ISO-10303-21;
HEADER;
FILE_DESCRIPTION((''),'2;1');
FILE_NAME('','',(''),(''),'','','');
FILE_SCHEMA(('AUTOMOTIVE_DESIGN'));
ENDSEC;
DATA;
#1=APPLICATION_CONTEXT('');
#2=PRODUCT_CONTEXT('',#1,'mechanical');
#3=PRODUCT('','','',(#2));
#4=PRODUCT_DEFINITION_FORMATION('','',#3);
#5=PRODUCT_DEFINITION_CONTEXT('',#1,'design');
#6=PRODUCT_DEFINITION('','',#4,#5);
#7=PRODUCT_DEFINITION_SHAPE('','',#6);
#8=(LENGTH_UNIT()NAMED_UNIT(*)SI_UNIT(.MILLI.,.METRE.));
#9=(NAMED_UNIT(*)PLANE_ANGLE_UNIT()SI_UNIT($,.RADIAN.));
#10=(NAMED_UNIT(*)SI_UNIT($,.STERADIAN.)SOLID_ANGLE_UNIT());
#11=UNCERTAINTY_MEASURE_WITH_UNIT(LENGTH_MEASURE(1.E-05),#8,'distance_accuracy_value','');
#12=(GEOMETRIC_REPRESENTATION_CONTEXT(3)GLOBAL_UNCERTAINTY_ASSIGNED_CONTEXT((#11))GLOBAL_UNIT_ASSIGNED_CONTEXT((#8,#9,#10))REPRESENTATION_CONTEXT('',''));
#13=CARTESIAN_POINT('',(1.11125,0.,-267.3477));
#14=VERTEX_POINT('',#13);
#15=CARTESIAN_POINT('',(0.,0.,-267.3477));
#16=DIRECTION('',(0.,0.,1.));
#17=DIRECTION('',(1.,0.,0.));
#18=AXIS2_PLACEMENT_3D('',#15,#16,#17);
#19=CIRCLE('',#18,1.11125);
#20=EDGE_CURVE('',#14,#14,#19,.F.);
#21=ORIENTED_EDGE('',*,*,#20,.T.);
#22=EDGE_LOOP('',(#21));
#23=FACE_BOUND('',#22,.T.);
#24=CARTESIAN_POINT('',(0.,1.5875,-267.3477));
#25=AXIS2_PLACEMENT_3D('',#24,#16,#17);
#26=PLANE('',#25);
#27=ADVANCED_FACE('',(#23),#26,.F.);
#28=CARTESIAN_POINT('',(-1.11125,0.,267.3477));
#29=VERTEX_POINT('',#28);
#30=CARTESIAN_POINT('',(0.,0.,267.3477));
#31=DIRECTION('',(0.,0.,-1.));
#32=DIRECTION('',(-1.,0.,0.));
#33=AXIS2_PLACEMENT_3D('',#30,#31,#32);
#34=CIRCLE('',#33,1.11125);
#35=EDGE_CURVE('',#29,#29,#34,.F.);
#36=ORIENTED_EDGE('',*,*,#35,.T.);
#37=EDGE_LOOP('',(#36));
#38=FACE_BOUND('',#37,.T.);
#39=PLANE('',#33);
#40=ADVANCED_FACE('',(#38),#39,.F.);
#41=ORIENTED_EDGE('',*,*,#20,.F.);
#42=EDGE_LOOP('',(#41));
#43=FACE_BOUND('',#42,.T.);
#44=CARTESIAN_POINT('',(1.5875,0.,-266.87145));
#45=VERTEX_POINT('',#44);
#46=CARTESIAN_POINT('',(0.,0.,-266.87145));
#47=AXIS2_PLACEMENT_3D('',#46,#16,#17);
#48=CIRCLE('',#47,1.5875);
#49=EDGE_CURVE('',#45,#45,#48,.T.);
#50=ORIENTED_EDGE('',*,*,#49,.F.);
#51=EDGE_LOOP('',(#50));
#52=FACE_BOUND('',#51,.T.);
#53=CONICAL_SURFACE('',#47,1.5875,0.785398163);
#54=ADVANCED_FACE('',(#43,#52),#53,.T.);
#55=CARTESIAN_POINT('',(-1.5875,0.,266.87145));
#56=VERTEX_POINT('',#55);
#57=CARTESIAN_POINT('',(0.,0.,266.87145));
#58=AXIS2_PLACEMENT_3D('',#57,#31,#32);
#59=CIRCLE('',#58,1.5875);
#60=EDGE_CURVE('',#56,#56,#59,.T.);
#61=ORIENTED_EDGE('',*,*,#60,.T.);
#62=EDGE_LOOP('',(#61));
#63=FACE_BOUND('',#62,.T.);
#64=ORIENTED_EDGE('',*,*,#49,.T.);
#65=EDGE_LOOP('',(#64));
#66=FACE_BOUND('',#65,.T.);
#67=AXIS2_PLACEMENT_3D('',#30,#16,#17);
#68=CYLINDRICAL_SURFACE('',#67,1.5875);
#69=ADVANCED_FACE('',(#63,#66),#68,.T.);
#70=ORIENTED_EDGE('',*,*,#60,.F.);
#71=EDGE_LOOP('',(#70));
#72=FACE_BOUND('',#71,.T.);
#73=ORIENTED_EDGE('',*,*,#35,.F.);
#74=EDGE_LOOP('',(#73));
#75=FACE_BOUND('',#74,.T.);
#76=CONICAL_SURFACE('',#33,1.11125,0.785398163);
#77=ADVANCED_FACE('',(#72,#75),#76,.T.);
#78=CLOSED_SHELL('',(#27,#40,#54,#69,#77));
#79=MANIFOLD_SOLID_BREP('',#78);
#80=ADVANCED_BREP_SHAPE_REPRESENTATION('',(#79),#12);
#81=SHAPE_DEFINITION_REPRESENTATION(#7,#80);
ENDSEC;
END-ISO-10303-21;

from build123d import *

# Parameters (mm, degrees)
SKETCH2_W     = 534.6954
SKETCH2_H     = 1.5875
CHAMFER1_SIZE = 0.47625


with BuildPart() as part:
    # Sketch2 → Revolve1 (revolve)
    with BuildSketch(Plane(origin=(0, 0, 0), x_dir=(0, 0, -1), z_dir=(1, 0, 0))):
        with Locations((0, 0.79375)):
            Rectangle(SKETCH2_W, SKETCH2_H)
    revolve(axis=Axis((0, 0, 267.3477), (0, 0, -1)))

    # Chamfer1
    chamfer1_edges = [part.edges().sort_by_distance(p)[0] for p in [
        (0, -1.5875, 267.3477),
        (0, -1.5875, -267.3477),
    ]]
    chamfer(chamfer1_edges, length=CHAMFER1_SIZE)


solid = part.part
